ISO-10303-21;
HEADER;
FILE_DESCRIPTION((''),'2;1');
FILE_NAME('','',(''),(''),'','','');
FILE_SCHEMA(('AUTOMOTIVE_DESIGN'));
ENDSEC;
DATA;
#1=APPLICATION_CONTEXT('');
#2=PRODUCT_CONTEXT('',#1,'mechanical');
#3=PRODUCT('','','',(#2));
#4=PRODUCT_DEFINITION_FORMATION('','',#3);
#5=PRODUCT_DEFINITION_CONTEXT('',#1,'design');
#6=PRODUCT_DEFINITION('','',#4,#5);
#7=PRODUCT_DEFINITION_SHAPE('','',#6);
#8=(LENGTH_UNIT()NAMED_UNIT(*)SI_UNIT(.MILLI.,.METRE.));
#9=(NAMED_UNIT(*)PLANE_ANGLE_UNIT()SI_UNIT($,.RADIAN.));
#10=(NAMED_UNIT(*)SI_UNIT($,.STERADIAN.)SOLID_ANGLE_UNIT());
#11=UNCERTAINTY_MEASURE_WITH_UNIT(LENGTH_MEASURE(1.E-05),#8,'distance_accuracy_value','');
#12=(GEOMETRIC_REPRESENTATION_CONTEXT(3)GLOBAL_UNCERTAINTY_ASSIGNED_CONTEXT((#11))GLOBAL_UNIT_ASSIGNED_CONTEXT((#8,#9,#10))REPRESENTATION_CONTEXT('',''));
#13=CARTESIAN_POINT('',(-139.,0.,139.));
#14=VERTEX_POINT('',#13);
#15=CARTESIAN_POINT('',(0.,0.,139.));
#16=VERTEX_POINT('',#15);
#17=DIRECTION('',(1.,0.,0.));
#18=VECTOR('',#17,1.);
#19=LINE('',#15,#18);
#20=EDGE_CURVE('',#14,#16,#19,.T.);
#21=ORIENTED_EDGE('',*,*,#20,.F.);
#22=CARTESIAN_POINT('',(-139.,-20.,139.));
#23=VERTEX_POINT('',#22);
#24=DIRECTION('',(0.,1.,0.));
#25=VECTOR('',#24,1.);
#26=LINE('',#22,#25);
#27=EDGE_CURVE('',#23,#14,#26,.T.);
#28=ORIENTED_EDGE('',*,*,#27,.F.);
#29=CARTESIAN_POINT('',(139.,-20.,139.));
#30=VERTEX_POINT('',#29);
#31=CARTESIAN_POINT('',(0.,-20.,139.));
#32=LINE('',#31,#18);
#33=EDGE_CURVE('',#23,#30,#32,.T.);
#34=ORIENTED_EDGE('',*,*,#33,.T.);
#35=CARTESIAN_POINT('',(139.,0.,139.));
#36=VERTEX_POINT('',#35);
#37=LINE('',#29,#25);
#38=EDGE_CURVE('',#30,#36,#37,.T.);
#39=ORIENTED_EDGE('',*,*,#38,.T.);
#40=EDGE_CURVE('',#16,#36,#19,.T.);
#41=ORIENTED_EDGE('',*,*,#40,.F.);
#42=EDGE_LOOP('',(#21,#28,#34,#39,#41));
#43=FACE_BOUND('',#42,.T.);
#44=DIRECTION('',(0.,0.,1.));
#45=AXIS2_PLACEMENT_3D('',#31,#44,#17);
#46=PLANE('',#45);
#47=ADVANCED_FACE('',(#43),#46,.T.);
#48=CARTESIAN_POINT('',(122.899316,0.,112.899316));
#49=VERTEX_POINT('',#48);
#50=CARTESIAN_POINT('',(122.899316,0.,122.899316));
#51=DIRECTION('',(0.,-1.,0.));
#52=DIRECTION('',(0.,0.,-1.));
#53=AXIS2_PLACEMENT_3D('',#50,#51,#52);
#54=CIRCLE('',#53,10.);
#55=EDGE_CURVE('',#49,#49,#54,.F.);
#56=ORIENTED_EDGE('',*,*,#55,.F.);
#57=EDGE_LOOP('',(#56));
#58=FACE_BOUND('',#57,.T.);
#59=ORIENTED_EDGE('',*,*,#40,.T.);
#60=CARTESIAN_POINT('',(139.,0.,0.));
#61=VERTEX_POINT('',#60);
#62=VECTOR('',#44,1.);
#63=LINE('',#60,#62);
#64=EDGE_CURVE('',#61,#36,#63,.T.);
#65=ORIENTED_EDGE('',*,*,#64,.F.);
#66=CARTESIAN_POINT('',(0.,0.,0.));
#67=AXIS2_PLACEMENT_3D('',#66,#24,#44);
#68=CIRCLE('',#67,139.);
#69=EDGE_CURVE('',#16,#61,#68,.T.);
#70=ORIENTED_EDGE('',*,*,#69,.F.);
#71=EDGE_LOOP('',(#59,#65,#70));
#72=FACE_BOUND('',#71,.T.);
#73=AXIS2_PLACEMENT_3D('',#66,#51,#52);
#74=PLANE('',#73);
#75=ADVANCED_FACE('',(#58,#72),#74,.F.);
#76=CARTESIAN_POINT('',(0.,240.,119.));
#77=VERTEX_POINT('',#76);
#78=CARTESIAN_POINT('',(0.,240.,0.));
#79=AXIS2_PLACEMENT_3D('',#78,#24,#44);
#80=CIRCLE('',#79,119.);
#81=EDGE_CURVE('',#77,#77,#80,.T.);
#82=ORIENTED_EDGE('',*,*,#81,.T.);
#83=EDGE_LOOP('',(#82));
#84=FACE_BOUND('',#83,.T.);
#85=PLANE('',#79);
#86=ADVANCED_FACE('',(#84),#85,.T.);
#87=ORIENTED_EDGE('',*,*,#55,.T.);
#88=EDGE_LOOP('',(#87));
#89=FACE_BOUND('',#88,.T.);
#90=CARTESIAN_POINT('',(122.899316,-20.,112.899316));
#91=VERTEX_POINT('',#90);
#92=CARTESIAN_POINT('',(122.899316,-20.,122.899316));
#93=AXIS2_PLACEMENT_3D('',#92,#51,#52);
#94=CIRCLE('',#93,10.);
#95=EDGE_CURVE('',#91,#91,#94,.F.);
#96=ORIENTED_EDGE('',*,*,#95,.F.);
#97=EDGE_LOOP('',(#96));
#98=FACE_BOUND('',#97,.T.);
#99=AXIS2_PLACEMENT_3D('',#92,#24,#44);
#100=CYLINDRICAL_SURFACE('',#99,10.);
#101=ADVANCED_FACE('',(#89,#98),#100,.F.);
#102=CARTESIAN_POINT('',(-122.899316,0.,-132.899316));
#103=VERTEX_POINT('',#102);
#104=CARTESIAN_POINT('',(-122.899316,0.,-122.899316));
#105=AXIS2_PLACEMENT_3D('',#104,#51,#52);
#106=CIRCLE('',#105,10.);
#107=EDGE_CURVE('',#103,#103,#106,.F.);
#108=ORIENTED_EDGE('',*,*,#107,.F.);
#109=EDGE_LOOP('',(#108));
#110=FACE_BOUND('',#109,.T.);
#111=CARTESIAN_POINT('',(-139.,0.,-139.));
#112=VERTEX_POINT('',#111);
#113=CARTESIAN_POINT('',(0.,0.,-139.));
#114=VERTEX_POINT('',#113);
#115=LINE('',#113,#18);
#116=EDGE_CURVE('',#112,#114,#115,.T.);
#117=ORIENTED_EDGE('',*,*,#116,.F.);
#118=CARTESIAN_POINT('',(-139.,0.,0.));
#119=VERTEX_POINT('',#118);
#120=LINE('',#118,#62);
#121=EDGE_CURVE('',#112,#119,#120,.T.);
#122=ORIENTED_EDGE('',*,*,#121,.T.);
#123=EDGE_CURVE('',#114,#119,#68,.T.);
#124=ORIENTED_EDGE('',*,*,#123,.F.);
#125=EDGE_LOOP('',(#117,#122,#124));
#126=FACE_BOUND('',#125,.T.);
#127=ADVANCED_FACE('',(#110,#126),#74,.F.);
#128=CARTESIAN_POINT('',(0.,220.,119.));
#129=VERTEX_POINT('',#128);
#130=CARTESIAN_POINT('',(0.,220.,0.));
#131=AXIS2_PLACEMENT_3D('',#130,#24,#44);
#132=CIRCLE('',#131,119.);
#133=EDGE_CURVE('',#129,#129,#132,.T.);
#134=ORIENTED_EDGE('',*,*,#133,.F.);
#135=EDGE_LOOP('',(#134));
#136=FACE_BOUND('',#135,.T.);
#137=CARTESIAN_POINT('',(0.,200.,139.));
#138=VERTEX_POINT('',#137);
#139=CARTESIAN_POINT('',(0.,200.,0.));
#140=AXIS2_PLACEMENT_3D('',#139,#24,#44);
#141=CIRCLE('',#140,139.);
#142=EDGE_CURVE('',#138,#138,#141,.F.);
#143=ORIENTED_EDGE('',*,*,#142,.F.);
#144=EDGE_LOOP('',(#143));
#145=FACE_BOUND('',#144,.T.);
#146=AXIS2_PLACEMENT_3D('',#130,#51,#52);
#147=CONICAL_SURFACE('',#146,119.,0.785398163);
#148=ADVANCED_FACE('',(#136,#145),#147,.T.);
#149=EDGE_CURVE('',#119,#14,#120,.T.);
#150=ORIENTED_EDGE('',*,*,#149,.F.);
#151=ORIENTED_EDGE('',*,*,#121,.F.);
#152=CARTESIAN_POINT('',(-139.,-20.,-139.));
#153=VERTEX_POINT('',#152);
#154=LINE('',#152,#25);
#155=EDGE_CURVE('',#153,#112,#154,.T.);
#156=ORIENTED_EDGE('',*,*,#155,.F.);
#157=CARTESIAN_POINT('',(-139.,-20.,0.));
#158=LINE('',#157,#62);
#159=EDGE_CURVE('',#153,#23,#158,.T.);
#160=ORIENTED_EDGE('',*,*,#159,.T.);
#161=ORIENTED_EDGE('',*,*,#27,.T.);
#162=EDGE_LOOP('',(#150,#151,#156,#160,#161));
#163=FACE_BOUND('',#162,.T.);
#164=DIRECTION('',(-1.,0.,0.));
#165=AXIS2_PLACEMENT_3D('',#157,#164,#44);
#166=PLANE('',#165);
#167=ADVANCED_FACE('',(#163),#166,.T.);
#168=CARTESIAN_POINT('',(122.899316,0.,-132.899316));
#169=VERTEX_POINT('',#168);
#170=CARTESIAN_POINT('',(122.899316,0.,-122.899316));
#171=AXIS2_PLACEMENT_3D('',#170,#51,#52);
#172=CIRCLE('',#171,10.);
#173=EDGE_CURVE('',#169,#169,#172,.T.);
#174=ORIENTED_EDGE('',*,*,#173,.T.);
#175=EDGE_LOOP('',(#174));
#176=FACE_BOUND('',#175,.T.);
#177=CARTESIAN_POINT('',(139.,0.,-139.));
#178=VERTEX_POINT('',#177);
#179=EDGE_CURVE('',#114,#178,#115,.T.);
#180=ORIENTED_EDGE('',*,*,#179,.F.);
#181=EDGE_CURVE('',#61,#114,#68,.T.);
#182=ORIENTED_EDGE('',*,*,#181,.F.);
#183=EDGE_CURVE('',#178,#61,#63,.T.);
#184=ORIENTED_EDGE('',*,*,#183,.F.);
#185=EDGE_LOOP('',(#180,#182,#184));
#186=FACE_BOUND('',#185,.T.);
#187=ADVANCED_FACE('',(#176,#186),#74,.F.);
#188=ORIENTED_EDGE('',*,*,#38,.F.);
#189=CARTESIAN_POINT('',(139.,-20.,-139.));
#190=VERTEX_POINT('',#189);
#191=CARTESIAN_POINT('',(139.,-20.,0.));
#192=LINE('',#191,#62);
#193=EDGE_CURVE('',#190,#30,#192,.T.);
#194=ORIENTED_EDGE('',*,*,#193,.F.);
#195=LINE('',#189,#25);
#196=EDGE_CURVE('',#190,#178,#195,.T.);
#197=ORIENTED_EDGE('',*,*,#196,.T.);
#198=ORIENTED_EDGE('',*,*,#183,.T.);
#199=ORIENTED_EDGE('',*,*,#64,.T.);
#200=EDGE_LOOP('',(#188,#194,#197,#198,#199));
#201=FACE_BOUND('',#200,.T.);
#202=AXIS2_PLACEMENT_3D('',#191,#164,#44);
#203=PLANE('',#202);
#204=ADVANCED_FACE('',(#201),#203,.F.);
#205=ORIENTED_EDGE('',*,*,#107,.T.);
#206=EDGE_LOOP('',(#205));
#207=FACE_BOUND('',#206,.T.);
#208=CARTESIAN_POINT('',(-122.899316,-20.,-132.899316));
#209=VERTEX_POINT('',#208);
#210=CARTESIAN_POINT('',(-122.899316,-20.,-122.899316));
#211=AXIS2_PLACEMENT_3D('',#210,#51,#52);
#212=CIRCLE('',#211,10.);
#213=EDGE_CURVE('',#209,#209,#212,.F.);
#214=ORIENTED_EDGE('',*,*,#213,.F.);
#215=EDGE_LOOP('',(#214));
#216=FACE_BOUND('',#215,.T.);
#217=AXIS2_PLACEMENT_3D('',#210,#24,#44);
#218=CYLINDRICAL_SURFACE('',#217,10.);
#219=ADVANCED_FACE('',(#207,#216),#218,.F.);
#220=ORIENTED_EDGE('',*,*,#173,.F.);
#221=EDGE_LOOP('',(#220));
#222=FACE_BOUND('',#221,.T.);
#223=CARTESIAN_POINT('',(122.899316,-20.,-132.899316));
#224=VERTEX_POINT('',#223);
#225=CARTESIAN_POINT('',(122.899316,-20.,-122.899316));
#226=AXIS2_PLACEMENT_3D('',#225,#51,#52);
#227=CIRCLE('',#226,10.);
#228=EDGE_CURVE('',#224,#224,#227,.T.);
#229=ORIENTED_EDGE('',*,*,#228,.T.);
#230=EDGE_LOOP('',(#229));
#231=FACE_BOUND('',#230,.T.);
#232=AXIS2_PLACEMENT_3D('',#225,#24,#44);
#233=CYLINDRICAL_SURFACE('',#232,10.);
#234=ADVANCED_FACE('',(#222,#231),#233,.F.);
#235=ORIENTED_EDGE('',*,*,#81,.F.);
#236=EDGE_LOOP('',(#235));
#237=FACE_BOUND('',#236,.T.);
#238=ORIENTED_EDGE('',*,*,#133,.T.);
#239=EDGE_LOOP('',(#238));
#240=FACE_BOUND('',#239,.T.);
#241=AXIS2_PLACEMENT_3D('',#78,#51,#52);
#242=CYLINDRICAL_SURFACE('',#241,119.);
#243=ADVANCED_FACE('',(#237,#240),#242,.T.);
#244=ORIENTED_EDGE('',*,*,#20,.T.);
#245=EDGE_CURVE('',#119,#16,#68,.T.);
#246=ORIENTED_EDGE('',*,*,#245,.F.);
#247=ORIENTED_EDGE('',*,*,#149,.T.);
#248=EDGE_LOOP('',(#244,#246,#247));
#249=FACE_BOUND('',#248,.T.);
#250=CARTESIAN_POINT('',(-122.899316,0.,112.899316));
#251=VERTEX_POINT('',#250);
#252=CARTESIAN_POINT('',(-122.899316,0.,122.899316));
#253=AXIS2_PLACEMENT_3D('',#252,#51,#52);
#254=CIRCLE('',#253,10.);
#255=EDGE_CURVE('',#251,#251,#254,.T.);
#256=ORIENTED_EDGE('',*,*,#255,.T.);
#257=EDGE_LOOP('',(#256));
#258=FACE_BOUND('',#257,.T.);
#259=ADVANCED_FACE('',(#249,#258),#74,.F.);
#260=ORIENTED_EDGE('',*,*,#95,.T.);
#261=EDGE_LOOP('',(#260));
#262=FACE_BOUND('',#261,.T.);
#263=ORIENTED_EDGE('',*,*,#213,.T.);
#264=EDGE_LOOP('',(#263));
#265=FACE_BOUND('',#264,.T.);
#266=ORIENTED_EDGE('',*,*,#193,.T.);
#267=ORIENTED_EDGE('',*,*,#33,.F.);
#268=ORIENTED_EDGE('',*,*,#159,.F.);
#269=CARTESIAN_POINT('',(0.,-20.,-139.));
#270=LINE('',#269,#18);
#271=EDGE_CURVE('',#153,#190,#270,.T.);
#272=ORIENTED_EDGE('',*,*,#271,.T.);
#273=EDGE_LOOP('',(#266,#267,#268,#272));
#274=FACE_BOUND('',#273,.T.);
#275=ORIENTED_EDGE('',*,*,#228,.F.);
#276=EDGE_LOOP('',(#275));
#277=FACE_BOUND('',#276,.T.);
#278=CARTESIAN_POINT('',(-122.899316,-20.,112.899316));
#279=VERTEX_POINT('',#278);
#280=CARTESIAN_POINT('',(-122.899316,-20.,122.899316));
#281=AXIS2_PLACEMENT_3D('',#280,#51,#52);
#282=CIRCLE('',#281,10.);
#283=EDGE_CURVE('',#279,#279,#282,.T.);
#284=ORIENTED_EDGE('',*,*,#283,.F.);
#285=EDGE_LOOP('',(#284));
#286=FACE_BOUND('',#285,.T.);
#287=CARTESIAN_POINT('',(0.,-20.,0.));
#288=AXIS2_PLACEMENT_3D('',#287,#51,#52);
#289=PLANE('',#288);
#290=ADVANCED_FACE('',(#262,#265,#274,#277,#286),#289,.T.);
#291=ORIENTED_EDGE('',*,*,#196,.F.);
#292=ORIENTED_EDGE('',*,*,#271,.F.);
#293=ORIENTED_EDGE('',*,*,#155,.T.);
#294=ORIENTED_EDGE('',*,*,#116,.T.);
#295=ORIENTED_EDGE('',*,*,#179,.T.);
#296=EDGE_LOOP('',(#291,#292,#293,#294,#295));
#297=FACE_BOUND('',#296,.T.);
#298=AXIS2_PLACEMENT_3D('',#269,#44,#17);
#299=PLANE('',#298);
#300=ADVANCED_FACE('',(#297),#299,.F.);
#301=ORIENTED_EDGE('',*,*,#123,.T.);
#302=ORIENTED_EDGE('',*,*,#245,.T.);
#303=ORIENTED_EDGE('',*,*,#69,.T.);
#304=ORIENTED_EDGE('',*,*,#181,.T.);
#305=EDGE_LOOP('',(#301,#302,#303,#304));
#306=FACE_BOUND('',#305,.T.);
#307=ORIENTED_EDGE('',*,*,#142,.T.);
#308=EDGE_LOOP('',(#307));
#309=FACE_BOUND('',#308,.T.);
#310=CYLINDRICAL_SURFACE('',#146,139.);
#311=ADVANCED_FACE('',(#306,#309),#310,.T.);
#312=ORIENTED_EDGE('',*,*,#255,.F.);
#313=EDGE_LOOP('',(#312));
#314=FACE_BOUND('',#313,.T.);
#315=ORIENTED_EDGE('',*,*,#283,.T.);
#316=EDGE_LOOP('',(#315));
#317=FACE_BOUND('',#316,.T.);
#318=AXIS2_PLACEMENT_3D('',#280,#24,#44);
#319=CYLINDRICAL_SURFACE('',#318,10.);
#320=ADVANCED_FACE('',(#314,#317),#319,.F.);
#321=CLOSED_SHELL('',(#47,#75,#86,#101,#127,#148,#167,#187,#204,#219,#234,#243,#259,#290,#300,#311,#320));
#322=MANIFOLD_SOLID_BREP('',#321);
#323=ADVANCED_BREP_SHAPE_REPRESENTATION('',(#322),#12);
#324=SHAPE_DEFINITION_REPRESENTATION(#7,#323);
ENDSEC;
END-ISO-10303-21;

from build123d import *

# Parameters (mm, degrees)
SKETCH1_R           = 139
BOSS_EXTRUDE5_DEPTH = 220
CHAMFER6_SIZE       = 20
SKETCH9_R           = 119
BOSS_EXTRUDE6_DEPTH = 20
BOSS_EXTRUDE7_START = 20
SKETCH10_R          = 10
BOSS_EXTRUDE7_DEPTH = 20


with BuildPart() as part:
    # Sketch1 → Boss-Extrude5 (new body)
    with BuildSketch(Plane(origin=(0, 0, 0), x_dir=(1, 0, 0), z_dir=(0, 1, 0))):
        with Locations(Location((0, 0, 0), (0, 0, 270))):
            Circle(SKETCH1_R)
    extrude(amount=BOSS_EXTRUDE5_DEPTH)

    # Chamfer6
    chamfer6_edges = [part.edges().sort_by_distance(p)[0] for p in [
        (0, 220, -139),
    ]]
    chamfer(chamfer6_edges, length=CHAMFER6_SIZE)

    # Sketch9 → Boss-Extrude6 (add)
    with BuildSketch(Plane(origin=(0, 220, 0), x_dir=(1, 0, 0), z_dir=(0, 1, 0))):
        with Locations(Location((0, 0, 0), (0, 0, 270))):
            Circle(SKETCH9_R)
    extrude(amount=BOSS_EXTRUDE6_DEPTH)

    # Sketch10 → Boss-Extrude7 (add)
    # profile 1 of 20: a face of its own
    with BuildSketch(Plane.XZ.offset(BOSS_EXTRUDE7_START)):
        with BuildLine():
            ThreePointArc((-139, 0), (-98.287842585, 98.287842585), (0, 139))
            Line((0, 139), (-139, 139))
            Line((-139, 139), (-139, 0))
        make_face()
        with Locations(Location((-122.899316497, 122.899316497, 0), (0, 0, 270))):
            Circle(SKETCH10_R, mode=Mode.SUBTRACT)
    # profile 2 of 20: a face of its own
    with BuildSketch(Plane.XZ.offset(BOSS_EXTRUDE7_START)):
        with BuildLine():
            Line((139, 139), (0, 139))
            ThreePointArc((0, 139), (98.287842585, 98.287842585), (139, 0))
            Line((139, 0), (139, 139))
        make_face()
        with Locations(Location((122.899316497, 122.899316497, 0), (0, 0, 270))):
            Circle(SKETCH10_R, mode=Mode.SUBTRACT)
    # profile 3 of 20: a face of its own
    with BuildSketch(Plane.XZ.offset(BOSS_EXTRUDE7_START)):
        with BuildLine():
            Line((139, -139), (139, 0))
            ThreePointArc((139, 0), (98.287842585, -98.287842585), (0, -139))
            Line((0, -139), (139, -139))
        make_face()
        with Locations(Location((122.899316497, -122.899316497, 0), (0, 0, 270))):
            Circle(SKETCH10_R, mode=Mode.SUBTRACT)
    # profile 4 of 20: a face of its own
    with BuildSketch(Plane.XZ.offset(BOSS_EXTRUDE7_START)):
        with BuildLine():
            ThreePointArc((0, -139), (-98.287842585, -98.287842585), (-139, 0))
            Line((-139, 0), (-139, -139))
            Line((-139, -139), (0, -139))
        make_face()
        with Locations(Location((-122.899316497, -122.899316497, 0), (0, 0, 270))):
            Circle(SKETCH10_R, mode=Mode.SUBTRACT)
    # profile 5 of 20: a face of its own
    with BuildSketch(Plane.XZ.offset(BOSS_EXTRUDE7_START)):
        with BuildLine():
            ThreePointArc((139, 0), (98.287842585, 98.287842585), (0, 139))
            Line((0, 139), (0, 0))
            Line((0, 0), (139, 0))
        make_face()
    # profile 6 of 20: a face of its own
    with BuildSketch(Plane.XZ.offset(BOSS_EXTRUDE7_START)):
        with BuildLine():
            Line((0, 0), (0, 139))
            ThreePointArc((0, 139), (-98.287842585, 98.287842585), (-139, 0))
            Line((-139, 0), (0, 0))
        make_face()
    # profile 7 of 20: a face of its own
    with BuildSketch(Plane.XZ.offset(BOSS_EXTRUDE7_START)):
        with BuildLine():
            Line((139, 0), (0, 0))
            Line((0, 0), (0, -139))
            ThreePointArc((0, -139), (98.287842585, -98.287842585), (139, 0))
        make_face()
    # profile 8 of 20: a face of its own
    with BuildSketch(Plane.XZ.offset(BOSS_EXTRUDE7_START)):
        with BuildLine():
            Line((0, -139), (0, 0))
            Line((0, 0), (-139, 0))
            ThreePointArc((-139, 0), (-98.287842585, -98.287842585), (0, -139))
        make_face()
    # profile 9 of 20: a face of its own
    with BuildSketch(Plane.XZ.offset(BOSS_EXTRUDE7_START)):
        with BuildLine():
            ThreePointArc((139, 0), (98.287842585, 98.287842585), (0, 139))
            Line((0, 139), (0, 0))
            Line((0, 0), (139, 0))
        make_face()
    # profile 10 of 20: a face of its own
    with BuildSketch(Plane.XZ.offset(BOSS_EXTRUDE7_START)):
        with BuildLine():
            Line((0, 0), (0, 139))
            ThreePointArc((0, 139), (-98.287842585, 98.287842585), (-139, 0))
            Line((-139, 0), (0, 0))
        make_face()
    # profile 11 of 20: a face of its own
    with BuildSketch(Plane.XZ.offset(BOSS_EXTRUDE7_START)):
        with BuildLine():
            Line((139, 0), (0, 0))
            Line((0, 0), (0, -139))
            ThreePointArc((0, -139), (98.287842585, -98.287842585), (139, 0))
        make_face()
    # profile 12 of 20: a face of its own
    with BuildSketch(Plane.XZ.offset(BOSS_EXTRUDE7_START)):
        with BuildLine():
            Line((0, -139), (0, 0))
            Line((0, 0), (-139, 0))
            ThreePointArc((-139, 0), (-98.287842585, -98.287842585), (0, -139))
        make_face()
    # profile 13 of 20: a face of its own
    with BuildSketch(Plane.XZ.offset(BOSS_EXTRUDE7_START)):
        with BuildLine():
            ThreePointArc((139, 0), (98.287842585, 98.287842585), (0, 139))
            Line((0, 139), (0, 0))
            Line((0, 0), (139, 0))
        make_face()
    # profile 14 of 20: a face of its own
    with BuildSketch(Plane.XZ.offset(BOSS_EXTRUDE7_START)):
        with BuildLine():
            Line((0, 0), (0, 139))
            ThreePointArc((0, 139), (-98.287842585, 98.287842585), (-139, 0))
            Line((-139, 0), (0, 0))
        make_face()
    # profile 15 of 20: a face of its own
    with BuildSketch(Plane.XZ.offset(BOSS_EXTRUDE7_START)):
        with BuildLine():
            Line((139, 0), (0, 0))
            Line((0, 0), (0, -139))
            ThreePointArc((0, -139), (98.287842585, -98.287842585), (139, 0))
        make_face()
    # profile 16 of 20: a face of its own
    with BuildSketch(Plane.XZ.offset(BOSS_EXTRUDE7_START)):
        with BuildLine():
            Line((0, -139), (0, 0))
            Line((0, 0), (-139, 0))
            ThreePointArc((-139, 0), (-98.287842585, -98.287842585), (0, -139))
        make_face()
    # profile 17 of 20: a face of its own
    with BuildSketch(Plane.XZ.offset(BOSS_EXTRUDE7_START)):
        with BuildLine():
            ThreePointArc((139, 0), (98.287842585, 98.287842585), (0, 139))
            Line((0, 139), (0, 0))
            Line((0, 0), (139, 0))
        make_face()
    # profile 18 of 20: a face of its own
    with BuildSketch(Plane.XZ.offset(BOSS_EXTRUDE7_START)):
        with BuildLine():
            Line((0, 0), (0, 139))
            ThreePointArc((0, 139), (-98.287842585, 98.287842585), (-139, 0))
            Line((-139, 0), (0, 0))
        make_face()
    # profile 19 of 20: a face of its own
    with BuildSketch(Plane.XZ.offset(BOSS_EXTRUDE7_START)):
        with BuildLine():
            Line((139, 0), (0, 0))
            Line((0, 0), (0, -139))
            ThreePointArc((0, -139), (98.287842585, -98.287842585), (139, 0))
        make_face()
    # profile 20 of 20: a face of its own
    with BuildSketch(Plane.XZ.offset(BOSS_EXTRUDE7_START)):
        with BuildLine():
            Line((0, -139), (0, 0))
            Line((0, 0), (-139, 0))
            ThreePointArc((-139, 0), (-98.287842585, -98.287842585), (0, -139))
        make_face()
    extrude(amount=-BOSS_EXTRUDE7_DEPTH)


solid = part.part
